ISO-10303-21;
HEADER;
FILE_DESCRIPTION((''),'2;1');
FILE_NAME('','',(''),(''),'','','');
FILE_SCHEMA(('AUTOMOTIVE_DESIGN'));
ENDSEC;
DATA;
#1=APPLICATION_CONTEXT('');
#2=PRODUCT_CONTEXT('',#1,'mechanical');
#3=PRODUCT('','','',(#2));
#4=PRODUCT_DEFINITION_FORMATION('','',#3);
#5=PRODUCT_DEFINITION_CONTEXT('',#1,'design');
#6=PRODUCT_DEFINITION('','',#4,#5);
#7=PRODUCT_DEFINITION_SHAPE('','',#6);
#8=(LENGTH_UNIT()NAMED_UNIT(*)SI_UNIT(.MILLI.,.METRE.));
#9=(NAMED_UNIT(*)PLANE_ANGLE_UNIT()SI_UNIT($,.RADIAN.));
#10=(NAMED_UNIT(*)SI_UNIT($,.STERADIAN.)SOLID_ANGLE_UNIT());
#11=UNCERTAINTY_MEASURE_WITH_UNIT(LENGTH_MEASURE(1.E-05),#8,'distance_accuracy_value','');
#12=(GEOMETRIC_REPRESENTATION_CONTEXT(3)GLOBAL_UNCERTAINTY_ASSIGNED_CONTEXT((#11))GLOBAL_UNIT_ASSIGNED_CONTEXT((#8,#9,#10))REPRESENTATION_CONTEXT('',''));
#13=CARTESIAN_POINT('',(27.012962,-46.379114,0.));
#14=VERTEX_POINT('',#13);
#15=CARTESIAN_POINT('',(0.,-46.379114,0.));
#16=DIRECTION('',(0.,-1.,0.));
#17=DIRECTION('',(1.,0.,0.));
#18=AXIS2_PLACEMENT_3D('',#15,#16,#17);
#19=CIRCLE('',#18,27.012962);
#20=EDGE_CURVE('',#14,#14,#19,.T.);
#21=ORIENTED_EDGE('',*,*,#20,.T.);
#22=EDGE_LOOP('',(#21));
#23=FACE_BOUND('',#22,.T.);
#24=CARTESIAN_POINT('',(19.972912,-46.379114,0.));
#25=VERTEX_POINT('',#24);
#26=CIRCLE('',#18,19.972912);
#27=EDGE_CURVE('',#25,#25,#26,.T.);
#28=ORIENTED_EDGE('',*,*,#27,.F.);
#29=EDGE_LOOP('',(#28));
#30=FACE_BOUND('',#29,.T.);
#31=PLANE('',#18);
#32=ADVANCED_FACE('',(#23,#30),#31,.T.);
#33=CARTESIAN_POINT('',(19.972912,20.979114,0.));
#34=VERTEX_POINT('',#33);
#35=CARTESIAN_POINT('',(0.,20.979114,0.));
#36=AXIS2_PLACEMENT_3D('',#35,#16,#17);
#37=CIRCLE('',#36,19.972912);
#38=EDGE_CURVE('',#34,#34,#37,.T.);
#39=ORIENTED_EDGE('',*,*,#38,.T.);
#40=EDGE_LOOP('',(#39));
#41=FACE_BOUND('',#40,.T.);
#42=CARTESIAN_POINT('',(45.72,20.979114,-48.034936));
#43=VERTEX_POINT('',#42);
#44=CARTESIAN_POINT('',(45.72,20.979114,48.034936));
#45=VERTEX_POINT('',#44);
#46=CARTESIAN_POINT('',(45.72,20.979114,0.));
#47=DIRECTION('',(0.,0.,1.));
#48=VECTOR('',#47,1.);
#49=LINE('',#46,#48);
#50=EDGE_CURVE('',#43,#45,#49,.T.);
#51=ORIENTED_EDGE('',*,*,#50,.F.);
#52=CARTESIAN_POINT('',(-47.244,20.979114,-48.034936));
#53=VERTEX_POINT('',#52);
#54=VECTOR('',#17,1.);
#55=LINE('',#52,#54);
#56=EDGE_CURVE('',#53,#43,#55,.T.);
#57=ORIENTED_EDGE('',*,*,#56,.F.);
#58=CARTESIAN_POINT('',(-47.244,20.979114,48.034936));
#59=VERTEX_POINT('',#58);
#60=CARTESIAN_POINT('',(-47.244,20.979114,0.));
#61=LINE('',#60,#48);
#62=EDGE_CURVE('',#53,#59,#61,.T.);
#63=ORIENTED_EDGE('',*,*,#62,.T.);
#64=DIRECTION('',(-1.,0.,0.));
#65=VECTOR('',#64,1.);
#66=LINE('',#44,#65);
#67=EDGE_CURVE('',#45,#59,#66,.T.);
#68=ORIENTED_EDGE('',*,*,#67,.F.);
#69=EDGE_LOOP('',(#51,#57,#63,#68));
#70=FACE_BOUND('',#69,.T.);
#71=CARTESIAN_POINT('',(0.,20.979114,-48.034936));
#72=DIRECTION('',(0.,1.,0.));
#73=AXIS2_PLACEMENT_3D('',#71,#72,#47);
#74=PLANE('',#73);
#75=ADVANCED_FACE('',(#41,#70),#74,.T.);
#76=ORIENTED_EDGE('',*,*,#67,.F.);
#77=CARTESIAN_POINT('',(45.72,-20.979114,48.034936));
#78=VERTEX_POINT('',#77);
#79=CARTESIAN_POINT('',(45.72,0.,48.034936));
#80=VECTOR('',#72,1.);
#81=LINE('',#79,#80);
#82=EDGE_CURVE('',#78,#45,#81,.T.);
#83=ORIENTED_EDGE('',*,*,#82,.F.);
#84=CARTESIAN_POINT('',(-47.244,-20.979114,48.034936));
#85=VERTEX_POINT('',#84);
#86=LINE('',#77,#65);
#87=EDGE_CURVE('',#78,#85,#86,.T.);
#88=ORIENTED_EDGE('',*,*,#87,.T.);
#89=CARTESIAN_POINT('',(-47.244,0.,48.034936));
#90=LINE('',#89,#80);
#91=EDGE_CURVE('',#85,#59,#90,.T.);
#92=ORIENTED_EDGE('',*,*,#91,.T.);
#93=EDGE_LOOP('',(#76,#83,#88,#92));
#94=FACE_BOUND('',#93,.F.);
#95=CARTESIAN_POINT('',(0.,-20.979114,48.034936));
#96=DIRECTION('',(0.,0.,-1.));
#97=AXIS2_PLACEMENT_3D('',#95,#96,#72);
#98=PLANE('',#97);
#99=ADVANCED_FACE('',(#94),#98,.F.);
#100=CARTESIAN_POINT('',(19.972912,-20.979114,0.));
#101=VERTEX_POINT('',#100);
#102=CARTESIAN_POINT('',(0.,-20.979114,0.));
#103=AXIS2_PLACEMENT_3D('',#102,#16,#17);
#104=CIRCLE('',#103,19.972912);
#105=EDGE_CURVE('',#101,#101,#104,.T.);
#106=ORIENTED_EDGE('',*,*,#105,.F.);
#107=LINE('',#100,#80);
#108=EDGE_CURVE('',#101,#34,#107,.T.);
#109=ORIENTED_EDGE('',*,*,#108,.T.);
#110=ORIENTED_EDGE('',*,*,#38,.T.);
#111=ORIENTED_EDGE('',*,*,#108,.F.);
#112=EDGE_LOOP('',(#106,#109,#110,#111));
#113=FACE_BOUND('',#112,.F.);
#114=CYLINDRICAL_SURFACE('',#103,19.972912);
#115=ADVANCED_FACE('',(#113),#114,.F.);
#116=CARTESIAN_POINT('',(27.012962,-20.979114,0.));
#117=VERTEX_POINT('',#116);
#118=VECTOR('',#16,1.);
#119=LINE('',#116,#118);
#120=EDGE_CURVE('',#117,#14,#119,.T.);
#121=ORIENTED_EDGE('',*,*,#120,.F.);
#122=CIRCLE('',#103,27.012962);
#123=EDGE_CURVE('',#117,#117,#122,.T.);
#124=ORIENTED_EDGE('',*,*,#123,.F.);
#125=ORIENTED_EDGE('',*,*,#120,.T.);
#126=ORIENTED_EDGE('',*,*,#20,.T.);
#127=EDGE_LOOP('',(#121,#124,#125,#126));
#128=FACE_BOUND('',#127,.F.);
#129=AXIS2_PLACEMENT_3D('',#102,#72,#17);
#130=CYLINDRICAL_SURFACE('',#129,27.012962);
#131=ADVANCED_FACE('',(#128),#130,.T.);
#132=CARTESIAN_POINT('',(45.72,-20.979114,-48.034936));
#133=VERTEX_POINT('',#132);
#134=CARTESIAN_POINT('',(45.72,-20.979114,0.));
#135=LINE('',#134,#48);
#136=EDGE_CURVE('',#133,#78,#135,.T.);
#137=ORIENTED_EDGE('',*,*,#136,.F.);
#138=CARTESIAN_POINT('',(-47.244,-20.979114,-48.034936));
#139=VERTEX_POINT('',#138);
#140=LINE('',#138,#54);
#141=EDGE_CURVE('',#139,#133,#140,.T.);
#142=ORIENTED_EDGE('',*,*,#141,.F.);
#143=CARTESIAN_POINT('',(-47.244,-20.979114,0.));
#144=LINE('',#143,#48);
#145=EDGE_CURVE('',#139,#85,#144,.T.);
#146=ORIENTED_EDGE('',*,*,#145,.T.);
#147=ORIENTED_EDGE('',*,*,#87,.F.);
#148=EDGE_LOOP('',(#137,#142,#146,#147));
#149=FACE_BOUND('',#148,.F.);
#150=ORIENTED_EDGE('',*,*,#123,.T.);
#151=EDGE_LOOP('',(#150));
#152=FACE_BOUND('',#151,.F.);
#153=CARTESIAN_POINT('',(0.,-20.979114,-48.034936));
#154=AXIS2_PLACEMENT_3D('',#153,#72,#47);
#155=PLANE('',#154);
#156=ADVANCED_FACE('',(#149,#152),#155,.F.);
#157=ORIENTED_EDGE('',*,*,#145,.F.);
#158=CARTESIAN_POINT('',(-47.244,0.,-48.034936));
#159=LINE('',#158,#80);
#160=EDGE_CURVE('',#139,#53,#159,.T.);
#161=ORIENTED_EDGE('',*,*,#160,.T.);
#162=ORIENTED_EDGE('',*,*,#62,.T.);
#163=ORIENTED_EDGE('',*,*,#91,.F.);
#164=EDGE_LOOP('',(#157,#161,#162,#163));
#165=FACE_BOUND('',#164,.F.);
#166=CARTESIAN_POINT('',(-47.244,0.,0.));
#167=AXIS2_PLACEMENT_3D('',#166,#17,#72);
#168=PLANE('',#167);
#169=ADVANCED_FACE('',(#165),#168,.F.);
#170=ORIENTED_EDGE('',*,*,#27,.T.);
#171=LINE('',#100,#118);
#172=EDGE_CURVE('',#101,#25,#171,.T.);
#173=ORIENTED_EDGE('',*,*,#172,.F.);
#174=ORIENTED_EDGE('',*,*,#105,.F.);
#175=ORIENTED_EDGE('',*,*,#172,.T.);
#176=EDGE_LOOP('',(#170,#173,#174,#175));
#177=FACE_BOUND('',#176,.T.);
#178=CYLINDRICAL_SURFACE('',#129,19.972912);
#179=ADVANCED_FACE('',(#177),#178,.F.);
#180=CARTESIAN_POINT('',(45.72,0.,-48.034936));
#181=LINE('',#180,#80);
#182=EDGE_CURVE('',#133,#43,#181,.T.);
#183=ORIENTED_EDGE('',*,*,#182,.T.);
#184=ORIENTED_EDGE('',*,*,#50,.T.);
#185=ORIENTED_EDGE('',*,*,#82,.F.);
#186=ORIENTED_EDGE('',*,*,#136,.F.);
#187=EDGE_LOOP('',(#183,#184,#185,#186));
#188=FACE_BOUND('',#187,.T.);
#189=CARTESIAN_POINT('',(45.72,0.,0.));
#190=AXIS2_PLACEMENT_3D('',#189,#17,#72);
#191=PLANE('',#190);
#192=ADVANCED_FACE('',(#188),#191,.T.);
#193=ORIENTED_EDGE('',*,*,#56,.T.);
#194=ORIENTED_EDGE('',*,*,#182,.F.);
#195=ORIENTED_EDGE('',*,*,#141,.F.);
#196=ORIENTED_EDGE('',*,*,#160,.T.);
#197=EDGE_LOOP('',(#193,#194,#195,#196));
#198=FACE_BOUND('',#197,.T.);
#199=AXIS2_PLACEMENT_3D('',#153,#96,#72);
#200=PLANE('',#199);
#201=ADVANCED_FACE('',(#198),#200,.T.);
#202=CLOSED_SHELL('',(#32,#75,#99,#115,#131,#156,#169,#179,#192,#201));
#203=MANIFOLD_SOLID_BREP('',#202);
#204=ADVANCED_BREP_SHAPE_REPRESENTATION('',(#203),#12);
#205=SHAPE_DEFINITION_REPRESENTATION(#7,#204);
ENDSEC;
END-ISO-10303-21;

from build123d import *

# Parameters (mm, degrees)
F0_W     = 41.9582277536
F0_H     = 96.0698723793
F1_DEPTH = 45.72
F2_DEPTH = 47.244
F3_R     = 27.0129618135
F3_R_2   = 19.972912416
F4_DEPTH = 25.4
F5_DEPTH = 76.708


with BuildPart() as f1:
    # F0 (on Right) → F1 (new body)
    with BuildSketch(Plane.YZ):
        Rectangle(F0_W, F0_H)
    extrude(amount=F1_DEPTH)

    # F2 (add): a face of the model
    f2_faces = [f1.faces().sort_by_distance(p)[0] for p in [
        (0, 0, 0),
    ]]
    extrude(f2_faces, amount=F2_DEPTH)

    # F3 (on face) → F4 (join)
    with BuildSketch(Plane.XZ.offset(20.9791138768)):
        Circle(F3_R)
        Circle(F3_R_2, mode=Mode.SUBTRACT)
    extrude(amount=F4_DEPTH)

    # F5 (cut): a face of the model
    f5_faces = [f1.faces().sort_by_distance(p)[0] for p in [
        (0, -20.9791138768, 0),
    ]]
    extrude(f5_faces, amount=-F5_DEPTH, mode=Mode.SUBTRACT)


solid = f1.part
